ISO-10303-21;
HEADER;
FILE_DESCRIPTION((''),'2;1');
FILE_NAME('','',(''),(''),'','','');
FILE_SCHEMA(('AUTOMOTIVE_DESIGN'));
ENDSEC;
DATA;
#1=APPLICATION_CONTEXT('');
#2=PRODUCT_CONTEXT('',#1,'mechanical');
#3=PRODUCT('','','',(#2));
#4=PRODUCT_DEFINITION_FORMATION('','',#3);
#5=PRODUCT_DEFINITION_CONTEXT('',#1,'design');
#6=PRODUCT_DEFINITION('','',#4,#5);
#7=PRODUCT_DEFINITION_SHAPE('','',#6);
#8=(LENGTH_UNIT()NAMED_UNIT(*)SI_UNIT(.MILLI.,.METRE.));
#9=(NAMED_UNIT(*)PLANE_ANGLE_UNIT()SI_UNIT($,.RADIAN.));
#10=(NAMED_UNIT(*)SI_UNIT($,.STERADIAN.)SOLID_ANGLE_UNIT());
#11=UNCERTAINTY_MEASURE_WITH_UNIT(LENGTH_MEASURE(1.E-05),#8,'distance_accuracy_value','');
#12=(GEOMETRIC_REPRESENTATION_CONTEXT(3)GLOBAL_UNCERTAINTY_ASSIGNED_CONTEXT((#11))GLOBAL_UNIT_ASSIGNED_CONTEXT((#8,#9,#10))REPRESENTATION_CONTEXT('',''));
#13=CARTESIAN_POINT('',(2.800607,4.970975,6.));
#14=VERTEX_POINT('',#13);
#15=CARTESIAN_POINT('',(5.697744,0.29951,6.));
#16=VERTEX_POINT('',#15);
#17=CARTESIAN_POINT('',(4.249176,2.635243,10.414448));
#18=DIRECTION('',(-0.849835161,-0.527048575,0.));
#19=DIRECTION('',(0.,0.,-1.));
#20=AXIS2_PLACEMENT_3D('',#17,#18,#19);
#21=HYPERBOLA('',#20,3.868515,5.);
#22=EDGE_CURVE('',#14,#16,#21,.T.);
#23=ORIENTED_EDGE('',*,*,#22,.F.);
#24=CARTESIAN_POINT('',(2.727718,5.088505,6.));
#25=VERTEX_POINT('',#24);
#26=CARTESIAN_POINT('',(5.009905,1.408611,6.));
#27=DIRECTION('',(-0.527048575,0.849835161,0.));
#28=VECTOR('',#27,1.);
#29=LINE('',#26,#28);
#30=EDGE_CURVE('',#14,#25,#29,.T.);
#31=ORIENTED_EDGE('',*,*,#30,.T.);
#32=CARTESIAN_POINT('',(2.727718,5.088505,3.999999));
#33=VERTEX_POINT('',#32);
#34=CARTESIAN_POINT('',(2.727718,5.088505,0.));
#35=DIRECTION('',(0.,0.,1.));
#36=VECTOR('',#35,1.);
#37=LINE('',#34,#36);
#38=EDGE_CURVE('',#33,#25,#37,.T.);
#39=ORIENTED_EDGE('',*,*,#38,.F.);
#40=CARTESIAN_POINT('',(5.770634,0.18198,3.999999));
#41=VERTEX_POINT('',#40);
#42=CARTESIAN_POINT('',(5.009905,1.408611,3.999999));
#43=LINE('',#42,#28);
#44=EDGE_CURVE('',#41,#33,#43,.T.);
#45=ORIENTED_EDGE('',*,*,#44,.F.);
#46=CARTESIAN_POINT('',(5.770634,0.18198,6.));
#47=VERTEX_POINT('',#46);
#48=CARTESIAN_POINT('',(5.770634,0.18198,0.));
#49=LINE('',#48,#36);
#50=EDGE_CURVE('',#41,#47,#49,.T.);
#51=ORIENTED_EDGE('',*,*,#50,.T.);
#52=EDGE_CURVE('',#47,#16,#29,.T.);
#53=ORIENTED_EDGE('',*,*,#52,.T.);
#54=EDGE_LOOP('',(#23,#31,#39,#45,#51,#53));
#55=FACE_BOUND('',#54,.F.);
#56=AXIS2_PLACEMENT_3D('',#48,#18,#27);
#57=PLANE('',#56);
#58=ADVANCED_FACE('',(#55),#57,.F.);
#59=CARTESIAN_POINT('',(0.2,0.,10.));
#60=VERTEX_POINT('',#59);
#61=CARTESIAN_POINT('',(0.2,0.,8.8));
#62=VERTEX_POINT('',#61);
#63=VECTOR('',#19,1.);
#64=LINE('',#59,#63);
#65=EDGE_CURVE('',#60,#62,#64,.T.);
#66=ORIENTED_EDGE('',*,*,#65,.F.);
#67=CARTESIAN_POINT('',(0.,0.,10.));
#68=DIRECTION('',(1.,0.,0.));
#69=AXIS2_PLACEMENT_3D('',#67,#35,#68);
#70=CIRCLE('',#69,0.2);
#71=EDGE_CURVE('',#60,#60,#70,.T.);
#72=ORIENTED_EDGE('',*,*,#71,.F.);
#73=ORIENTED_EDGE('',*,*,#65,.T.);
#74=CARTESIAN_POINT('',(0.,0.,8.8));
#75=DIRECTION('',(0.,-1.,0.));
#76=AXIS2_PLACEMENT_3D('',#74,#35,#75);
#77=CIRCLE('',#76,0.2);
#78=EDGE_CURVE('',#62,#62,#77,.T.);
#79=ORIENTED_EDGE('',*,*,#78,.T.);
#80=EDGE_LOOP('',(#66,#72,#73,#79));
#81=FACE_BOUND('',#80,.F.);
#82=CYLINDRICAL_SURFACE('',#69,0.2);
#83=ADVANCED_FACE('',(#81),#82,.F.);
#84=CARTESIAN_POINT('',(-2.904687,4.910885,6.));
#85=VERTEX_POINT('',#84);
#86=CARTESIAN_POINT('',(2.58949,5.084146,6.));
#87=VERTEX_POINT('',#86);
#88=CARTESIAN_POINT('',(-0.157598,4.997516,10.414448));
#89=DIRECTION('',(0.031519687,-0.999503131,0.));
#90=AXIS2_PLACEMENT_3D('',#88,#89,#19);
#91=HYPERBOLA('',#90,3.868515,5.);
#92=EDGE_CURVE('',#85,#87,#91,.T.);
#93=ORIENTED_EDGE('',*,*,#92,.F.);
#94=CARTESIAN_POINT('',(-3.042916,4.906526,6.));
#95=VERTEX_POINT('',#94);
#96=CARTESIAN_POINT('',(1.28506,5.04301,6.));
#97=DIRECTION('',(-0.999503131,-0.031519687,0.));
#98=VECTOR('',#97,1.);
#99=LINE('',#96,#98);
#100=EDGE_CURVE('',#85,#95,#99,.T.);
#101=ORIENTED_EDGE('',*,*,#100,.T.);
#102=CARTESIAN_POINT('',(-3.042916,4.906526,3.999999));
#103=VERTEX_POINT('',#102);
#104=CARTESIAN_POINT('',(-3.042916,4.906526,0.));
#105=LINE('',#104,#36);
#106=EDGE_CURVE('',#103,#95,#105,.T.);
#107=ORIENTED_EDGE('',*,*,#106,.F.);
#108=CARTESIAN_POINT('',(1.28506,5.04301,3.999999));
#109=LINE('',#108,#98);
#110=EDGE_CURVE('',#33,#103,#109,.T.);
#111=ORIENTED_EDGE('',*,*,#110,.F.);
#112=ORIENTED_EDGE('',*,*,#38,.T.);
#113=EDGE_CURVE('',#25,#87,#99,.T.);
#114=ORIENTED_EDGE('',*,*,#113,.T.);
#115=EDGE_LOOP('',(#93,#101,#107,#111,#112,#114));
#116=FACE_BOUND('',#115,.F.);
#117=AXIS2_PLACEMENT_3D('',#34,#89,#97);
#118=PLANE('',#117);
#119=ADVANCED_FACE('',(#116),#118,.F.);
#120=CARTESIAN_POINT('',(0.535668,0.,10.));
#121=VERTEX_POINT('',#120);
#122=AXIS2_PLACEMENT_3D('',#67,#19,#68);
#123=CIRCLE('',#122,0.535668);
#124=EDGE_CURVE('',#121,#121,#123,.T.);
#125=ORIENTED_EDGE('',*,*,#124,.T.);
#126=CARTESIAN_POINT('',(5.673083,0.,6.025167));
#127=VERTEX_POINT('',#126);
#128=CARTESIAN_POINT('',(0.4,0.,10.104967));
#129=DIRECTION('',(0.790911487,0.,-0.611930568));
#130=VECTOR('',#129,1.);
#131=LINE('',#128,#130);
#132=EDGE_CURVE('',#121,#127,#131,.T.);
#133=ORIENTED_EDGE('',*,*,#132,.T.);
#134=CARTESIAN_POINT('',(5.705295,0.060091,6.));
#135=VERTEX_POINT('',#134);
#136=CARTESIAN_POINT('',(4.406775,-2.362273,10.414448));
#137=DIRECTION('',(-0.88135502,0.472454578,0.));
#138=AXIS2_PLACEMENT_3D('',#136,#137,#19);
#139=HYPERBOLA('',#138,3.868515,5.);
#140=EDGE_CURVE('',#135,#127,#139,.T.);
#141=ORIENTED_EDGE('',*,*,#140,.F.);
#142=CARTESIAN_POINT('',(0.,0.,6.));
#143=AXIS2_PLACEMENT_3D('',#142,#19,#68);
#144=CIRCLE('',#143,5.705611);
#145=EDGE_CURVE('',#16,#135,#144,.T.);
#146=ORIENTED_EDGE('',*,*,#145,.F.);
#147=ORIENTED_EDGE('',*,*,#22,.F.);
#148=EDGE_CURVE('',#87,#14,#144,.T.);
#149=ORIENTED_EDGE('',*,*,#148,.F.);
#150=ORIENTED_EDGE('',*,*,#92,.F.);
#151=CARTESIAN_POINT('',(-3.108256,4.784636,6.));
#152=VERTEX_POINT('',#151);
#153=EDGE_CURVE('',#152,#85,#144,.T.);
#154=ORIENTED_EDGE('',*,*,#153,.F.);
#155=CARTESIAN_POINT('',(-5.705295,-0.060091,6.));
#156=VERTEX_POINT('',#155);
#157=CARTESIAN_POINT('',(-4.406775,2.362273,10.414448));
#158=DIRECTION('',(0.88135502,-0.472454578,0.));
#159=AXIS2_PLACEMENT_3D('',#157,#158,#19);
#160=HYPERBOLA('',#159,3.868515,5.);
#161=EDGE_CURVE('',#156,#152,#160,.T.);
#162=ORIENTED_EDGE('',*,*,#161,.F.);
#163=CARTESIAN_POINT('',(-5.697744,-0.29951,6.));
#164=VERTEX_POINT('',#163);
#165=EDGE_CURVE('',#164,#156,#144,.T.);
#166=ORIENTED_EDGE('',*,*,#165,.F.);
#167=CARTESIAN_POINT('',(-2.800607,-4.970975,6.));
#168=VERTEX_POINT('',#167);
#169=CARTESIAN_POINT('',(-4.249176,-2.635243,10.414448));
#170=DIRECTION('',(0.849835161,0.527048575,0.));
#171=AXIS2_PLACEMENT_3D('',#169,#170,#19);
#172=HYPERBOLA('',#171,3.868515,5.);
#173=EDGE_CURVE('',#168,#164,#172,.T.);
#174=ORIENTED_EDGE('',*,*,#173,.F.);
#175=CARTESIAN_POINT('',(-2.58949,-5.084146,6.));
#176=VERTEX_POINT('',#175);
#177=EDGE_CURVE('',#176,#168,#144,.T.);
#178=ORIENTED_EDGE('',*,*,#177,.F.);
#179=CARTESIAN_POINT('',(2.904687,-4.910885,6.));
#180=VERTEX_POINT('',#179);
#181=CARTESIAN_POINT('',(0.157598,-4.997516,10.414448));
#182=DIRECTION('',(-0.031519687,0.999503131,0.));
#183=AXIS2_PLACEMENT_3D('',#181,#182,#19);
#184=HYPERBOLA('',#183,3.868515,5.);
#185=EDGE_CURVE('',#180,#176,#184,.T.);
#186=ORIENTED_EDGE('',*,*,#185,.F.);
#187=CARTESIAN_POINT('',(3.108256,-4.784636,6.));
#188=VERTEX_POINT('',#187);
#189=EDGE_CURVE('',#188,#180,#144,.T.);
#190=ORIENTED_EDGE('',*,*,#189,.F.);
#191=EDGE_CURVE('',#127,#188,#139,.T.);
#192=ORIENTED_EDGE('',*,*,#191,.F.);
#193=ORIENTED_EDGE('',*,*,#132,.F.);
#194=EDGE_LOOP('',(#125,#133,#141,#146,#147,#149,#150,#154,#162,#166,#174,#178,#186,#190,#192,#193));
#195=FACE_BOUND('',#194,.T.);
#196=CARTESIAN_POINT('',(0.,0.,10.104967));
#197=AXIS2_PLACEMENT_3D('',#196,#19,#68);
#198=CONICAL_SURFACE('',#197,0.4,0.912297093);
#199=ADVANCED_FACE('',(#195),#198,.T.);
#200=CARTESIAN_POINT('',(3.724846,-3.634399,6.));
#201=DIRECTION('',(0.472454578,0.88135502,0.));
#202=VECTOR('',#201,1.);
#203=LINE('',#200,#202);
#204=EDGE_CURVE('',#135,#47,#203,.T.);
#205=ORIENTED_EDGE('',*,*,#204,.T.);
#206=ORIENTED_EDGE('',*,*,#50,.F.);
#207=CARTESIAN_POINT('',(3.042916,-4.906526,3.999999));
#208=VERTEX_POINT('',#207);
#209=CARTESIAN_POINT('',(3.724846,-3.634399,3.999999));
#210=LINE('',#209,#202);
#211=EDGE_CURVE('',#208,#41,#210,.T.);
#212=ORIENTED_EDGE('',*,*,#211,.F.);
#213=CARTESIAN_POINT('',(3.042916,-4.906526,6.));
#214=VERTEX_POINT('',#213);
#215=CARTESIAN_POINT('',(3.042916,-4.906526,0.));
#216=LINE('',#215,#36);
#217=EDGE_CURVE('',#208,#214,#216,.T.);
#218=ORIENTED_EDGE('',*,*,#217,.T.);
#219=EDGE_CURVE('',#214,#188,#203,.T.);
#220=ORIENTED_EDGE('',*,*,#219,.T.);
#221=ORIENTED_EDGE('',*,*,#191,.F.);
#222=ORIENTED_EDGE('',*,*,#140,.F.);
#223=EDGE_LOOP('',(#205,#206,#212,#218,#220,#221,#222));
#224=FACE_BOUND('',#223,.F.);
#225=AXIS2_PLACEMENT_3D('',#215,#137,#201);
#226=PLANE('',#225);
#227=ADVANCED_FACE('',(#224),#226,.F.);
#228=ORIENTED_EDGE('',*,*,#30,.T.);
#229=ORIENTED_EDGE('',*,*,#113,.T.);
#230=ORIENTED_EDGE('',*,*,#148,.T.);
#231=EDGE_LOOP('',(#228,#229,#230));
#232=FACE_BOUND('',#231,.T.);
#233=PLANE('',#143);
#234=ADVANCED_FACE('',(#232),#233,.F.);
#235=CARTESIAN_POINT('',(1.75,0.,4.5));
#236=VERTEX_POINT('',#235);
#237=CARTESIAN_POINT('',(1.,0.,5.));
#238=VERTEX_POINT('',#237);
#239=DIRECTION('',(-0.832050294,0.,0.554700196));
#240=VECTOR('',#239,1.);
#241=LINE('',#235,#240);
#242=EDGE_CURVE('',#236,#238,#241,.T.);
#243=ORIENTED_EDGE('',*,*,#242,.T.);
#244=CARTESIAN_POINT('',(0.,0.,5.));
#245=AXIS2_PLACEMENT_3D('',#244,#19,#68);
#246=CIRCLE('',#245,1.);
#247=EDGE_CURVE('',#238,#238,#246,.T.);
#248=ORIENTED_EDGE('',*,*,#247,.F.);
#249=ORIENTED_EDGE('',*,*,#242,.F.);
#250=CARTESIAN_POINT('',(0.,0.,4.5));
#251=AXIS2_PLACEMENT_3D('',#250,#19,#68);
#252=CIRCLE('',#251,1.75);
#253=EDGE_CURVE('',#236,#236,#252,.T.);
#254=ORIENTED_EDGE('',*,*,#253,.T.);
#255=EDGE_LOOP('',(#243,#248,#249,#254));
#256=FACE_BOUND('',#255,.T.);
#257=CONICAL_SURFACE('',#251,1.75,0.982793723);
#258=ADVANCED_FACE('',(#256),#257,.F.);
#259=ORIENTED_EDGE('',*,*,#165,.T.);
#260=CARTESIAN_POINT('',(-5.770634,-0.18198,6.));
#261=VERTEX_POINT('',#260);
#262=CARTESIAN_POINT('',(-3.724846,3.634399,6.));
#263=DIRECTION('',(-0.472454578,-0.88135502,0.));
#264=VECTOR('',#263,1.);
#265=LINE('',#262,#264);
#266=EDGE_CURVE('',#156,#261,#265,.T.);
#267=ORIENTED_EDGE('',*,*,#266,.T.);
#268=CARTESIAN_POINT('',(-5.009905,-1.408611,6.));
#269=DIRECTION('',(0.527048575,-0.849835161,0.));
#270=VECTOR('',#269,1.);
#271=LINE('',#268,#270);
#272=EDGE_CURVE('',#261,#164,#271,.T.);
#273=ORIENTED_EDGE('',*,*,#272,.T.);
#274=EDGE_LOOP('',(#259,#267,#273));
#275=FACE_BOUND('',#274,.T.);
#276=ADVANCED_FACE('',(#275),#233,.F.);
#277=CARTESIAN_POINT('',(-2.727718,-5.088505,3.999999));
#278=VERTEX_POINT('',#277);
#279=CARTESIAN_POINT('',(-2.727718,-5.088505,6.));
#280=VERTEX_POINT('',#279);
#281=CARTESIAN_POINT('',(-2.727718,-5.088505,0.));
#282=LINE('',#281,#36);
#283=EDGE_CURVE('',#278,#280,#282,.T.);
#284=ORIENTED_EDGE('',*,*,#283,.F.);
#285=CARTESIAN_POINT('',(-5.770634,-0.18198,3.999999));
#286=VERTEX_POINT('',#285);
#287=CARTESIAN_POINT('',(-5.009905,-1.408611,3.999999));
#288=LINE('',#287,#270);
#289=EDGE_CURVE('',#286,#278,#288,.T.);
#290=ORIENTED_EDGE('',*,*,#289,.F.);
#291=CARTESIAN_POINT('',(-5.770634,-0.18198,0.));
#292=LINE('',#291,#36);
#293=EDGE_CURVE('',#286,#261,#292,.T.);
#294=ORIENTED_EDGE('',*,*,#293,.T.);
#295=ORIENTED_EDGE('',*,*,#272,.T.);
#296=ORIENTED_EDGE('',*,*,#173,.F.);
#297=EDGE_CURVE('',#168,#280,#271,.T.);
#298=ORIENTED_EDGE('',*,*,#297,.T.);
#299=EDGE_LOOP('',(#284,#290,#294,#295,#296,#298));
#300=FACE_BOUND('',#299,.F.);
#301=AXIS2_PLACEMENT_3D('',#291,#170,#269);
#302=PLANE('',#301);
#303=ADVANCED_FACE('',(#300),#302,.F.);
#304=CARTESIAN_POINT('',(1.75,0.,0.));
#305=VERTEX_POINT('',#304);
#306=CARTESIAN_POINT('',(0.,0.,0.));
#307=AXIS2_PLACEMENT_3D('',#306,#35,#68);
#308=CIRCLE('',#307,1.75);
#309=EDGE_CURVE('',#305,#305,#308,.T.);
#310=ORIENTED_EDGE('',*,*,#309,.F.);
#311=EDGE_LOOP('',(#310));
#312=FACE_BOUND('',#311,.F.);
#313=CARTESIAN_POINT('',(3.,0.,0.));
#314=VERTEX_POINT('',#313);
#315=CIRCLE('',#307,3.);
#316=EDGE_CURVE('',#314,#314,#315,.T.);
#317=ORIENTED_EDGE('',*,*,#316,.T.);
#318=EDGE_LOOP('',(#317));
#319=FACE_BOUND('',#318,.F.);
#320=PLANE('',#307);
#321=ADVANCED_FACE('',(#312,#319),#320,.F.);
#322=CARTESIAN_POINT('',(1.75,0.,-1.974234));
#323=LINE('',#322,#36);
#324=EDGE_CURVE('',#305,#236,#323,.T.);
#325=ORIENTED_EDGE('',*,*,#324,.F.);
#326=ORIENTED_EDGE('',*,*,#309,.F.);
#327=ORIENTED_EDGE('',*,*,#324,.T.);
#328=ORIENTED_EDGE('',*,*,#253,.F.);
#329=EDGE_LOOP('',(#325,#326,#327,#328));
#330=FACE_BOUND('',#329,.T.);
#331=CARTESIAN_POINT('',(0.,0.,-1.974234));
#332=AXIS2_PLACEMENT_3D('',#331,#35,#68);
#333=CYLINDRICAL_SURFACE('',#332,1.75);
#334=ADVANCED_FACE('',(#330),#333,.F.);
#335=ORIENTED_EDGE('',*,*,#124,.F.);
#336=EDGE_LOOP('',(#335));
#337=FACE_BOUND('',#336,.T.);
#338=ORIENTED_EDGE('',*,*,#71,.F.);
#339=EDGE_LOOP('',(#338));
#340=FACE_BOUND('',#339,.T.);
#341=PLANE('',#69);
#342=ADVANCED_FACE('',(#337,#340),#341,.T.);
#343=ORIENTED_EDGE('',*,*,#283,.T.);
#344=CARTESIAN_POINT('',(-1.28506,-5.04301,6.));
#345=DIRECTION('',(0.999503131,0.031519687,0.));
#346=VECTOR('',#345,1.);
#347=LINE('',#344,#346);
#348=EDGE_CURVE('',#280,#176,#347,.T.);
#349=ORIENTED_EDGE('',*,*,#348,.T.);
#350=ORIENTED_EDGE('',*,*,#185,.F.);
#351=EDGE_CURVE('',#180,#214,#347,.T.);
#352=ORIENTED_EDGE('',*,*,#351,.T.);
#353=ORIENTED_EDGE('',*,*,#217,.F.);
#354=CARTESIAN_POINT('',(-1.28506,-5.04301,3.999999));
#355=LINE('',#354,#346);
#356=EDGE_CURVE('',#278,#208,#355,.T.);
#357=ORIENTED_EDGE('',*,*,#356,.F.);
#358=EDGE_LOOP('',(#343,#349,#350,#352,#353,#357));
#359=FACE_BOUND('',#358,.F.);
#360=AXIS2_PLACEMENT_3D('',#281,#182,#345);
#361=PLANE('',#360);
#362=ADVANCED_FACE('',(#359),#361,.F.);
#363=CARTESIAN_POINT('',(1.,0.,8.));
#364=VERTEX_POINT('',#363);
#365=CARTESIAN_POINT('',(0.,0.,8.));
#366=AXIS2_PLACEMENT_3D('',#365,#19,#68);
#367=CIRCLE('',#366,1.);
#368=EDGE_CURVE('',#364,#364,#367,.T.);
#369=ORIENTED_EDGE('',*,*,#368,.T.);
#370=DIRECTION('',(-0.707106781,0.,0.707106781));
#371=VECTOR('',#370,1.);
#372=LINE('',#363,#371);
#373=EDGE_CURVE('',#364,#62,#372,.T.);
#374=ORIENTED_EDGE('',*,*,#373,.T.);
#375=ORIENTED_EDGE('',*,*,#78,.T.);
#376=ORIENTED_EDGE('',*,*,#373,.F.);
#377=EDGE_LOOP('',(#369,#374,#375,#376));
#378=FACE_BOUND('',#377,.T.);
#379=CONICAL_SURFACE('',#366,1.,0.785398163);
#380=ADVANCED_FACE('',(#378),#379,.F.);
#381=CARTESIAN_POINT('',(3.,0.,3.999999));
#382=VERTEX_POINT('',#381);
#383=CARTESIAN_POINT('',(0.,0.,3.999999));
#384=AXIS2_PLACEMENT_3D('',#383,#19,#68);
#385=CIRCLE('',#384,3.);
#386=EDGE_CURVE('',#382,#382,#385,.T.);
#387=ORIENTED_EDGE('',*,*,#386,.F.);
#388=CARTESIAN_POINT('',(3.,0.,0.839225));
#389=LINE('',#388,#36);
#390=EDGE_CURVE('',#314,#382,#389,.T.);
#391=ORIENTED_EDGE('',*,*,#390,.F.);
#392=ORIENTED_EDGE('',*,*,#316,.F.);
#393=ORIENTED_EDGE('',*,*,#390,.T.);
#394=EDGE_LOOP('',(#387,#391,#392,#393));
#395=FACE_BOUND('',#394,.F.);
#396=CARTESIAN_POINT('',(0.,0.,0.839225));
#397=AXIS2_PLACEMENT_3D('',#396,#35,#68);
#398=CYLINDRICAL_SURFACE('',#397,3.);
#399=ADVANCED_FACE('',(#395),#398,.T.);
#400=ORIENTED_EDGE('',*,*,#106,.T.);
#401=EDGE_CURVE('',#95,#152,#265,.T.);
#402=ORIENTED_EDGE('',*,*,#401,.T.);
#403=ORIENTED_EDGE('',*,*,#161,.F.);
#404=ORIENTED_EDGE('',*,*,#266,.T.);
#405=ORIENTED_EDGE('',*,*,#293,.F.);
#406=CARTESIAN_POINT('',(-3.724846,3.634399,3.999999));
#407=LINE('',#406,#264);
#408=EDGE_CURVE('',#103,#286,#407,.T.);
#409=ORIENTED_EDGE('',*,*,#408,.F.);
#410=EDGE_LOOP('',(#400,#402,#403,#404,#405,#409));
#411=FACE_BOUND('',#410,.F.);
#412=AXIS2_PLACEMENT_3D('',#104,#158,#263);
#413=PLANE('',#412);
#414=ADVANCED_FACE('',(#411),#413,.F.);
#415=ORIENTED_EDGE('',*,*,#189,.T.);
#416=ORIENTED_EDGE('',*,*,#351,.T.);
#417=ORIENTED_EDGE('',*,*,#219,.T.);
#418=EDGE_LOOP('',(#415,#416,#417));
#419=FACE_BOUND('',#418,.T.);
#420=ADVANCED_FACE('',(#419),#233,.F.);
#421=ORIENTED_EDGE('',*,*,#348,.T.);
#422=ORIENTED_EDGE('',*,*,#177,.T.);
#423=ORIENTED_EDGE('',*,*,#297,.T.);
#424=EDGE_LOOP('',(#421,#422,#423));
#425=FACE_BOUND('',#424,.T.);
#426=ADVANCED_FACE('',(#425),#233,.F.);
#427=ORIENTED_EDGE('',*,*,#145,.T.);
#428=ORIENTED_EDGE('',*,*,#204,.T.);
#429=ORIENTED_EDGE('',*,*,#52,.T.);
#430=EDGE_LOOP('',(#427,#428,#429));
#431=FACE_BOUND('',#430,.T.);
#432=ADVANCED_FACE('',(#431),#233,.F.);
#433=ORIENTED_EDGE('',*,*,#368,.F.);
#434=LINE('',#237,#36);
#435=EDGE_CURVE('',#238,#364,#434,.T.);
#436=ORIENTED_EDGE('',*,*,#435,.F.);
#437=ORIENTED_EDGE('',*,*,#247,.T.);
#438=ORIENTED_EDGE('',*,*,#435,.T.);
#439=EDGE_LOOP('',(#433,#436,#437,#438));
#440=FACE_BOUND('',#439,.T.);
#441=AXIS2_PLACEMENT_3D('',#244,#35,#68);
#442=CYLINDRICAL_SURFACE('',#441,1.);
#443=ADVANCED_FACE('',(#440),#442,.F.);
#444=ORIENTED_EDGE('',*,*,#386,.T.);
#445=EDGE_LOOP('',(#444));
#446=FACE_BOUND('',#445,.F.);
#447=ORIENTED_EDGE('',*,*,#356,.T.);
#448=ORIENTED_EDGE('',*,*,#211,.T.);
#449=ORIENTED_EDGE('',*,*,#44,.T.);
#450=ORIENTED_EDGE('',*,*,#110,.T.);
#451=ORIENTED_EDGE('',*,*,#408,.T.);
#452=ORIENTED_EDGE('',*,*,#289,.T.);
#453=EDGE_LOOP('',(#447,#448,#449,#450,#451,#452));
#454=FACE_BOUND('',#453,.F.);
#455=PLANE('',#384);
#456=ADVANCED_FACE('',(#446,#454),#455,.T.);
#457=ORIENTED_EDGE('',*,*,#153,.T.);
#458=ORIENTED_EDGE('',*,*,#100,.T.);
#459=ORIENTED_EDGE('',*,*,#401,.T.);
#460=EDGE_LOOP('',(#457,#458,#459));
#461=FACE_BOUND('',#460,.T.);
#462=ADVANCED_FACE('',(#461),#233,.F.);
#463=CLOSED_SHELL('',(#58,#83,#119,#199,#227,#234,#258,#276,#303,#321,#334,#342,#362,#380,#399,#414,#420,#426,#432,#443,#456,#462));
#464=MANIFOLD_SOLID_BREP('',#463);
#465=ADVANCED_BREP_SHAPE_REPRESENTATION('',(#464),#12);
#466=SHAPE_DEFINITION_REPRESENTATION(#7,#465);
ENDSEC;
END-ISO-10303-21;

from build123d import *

# Parameters (mm, degrees)
F1_DEPTH = 10
F2_W     = 4.670898
F2_H     = 6.321549
F4_R     = 0.2
F5_DEPTH = 10.001


with BuildPart() as f1:
    # F0 (on Top) → F1 (new body)
    with BuildSketch(Plane.XY):
        Polygon((5.770634, 0.18198), (2.727718, 5.088505), (-3.042916, 4.906526), (-5.770634, -0.18198), (-2.727718, -5.088505), (3.042916, -4.906526), align=None)
    extrude(amount=F1_DEPTH)

    # F2 (on Front) → F3 (revolve, cut)
    with BuildSketch(Plane.XZ):
        with Locations((5.335449, 0.839225)):
            Rectangle(F2_W, F2_H)
        Polygon((0.4, 10.880456), (0.4, 10.104967), (5.705611, 6), (7.525738, 6), (7.525738, 10.880456), align=None)
        Polygon((0, 9), (0, -1.974234), (1.75, -1.974234), (1.75, 4.5), (1, 5), (1, 8), align=None)
    revolve(axis=Axis((0, 0, 3.313374), (0, 0, -1)), mode=Mode.SUBTRACT)

    # F4 (on face) → F5 (cut, through all)
    with BuildSketch(Plane.XY.offset(10)):
        Circle(F4_R)
    extrude(amount=-F5_DEPTH, mode=Mode.SUBTRACT)


solid = f1.part
